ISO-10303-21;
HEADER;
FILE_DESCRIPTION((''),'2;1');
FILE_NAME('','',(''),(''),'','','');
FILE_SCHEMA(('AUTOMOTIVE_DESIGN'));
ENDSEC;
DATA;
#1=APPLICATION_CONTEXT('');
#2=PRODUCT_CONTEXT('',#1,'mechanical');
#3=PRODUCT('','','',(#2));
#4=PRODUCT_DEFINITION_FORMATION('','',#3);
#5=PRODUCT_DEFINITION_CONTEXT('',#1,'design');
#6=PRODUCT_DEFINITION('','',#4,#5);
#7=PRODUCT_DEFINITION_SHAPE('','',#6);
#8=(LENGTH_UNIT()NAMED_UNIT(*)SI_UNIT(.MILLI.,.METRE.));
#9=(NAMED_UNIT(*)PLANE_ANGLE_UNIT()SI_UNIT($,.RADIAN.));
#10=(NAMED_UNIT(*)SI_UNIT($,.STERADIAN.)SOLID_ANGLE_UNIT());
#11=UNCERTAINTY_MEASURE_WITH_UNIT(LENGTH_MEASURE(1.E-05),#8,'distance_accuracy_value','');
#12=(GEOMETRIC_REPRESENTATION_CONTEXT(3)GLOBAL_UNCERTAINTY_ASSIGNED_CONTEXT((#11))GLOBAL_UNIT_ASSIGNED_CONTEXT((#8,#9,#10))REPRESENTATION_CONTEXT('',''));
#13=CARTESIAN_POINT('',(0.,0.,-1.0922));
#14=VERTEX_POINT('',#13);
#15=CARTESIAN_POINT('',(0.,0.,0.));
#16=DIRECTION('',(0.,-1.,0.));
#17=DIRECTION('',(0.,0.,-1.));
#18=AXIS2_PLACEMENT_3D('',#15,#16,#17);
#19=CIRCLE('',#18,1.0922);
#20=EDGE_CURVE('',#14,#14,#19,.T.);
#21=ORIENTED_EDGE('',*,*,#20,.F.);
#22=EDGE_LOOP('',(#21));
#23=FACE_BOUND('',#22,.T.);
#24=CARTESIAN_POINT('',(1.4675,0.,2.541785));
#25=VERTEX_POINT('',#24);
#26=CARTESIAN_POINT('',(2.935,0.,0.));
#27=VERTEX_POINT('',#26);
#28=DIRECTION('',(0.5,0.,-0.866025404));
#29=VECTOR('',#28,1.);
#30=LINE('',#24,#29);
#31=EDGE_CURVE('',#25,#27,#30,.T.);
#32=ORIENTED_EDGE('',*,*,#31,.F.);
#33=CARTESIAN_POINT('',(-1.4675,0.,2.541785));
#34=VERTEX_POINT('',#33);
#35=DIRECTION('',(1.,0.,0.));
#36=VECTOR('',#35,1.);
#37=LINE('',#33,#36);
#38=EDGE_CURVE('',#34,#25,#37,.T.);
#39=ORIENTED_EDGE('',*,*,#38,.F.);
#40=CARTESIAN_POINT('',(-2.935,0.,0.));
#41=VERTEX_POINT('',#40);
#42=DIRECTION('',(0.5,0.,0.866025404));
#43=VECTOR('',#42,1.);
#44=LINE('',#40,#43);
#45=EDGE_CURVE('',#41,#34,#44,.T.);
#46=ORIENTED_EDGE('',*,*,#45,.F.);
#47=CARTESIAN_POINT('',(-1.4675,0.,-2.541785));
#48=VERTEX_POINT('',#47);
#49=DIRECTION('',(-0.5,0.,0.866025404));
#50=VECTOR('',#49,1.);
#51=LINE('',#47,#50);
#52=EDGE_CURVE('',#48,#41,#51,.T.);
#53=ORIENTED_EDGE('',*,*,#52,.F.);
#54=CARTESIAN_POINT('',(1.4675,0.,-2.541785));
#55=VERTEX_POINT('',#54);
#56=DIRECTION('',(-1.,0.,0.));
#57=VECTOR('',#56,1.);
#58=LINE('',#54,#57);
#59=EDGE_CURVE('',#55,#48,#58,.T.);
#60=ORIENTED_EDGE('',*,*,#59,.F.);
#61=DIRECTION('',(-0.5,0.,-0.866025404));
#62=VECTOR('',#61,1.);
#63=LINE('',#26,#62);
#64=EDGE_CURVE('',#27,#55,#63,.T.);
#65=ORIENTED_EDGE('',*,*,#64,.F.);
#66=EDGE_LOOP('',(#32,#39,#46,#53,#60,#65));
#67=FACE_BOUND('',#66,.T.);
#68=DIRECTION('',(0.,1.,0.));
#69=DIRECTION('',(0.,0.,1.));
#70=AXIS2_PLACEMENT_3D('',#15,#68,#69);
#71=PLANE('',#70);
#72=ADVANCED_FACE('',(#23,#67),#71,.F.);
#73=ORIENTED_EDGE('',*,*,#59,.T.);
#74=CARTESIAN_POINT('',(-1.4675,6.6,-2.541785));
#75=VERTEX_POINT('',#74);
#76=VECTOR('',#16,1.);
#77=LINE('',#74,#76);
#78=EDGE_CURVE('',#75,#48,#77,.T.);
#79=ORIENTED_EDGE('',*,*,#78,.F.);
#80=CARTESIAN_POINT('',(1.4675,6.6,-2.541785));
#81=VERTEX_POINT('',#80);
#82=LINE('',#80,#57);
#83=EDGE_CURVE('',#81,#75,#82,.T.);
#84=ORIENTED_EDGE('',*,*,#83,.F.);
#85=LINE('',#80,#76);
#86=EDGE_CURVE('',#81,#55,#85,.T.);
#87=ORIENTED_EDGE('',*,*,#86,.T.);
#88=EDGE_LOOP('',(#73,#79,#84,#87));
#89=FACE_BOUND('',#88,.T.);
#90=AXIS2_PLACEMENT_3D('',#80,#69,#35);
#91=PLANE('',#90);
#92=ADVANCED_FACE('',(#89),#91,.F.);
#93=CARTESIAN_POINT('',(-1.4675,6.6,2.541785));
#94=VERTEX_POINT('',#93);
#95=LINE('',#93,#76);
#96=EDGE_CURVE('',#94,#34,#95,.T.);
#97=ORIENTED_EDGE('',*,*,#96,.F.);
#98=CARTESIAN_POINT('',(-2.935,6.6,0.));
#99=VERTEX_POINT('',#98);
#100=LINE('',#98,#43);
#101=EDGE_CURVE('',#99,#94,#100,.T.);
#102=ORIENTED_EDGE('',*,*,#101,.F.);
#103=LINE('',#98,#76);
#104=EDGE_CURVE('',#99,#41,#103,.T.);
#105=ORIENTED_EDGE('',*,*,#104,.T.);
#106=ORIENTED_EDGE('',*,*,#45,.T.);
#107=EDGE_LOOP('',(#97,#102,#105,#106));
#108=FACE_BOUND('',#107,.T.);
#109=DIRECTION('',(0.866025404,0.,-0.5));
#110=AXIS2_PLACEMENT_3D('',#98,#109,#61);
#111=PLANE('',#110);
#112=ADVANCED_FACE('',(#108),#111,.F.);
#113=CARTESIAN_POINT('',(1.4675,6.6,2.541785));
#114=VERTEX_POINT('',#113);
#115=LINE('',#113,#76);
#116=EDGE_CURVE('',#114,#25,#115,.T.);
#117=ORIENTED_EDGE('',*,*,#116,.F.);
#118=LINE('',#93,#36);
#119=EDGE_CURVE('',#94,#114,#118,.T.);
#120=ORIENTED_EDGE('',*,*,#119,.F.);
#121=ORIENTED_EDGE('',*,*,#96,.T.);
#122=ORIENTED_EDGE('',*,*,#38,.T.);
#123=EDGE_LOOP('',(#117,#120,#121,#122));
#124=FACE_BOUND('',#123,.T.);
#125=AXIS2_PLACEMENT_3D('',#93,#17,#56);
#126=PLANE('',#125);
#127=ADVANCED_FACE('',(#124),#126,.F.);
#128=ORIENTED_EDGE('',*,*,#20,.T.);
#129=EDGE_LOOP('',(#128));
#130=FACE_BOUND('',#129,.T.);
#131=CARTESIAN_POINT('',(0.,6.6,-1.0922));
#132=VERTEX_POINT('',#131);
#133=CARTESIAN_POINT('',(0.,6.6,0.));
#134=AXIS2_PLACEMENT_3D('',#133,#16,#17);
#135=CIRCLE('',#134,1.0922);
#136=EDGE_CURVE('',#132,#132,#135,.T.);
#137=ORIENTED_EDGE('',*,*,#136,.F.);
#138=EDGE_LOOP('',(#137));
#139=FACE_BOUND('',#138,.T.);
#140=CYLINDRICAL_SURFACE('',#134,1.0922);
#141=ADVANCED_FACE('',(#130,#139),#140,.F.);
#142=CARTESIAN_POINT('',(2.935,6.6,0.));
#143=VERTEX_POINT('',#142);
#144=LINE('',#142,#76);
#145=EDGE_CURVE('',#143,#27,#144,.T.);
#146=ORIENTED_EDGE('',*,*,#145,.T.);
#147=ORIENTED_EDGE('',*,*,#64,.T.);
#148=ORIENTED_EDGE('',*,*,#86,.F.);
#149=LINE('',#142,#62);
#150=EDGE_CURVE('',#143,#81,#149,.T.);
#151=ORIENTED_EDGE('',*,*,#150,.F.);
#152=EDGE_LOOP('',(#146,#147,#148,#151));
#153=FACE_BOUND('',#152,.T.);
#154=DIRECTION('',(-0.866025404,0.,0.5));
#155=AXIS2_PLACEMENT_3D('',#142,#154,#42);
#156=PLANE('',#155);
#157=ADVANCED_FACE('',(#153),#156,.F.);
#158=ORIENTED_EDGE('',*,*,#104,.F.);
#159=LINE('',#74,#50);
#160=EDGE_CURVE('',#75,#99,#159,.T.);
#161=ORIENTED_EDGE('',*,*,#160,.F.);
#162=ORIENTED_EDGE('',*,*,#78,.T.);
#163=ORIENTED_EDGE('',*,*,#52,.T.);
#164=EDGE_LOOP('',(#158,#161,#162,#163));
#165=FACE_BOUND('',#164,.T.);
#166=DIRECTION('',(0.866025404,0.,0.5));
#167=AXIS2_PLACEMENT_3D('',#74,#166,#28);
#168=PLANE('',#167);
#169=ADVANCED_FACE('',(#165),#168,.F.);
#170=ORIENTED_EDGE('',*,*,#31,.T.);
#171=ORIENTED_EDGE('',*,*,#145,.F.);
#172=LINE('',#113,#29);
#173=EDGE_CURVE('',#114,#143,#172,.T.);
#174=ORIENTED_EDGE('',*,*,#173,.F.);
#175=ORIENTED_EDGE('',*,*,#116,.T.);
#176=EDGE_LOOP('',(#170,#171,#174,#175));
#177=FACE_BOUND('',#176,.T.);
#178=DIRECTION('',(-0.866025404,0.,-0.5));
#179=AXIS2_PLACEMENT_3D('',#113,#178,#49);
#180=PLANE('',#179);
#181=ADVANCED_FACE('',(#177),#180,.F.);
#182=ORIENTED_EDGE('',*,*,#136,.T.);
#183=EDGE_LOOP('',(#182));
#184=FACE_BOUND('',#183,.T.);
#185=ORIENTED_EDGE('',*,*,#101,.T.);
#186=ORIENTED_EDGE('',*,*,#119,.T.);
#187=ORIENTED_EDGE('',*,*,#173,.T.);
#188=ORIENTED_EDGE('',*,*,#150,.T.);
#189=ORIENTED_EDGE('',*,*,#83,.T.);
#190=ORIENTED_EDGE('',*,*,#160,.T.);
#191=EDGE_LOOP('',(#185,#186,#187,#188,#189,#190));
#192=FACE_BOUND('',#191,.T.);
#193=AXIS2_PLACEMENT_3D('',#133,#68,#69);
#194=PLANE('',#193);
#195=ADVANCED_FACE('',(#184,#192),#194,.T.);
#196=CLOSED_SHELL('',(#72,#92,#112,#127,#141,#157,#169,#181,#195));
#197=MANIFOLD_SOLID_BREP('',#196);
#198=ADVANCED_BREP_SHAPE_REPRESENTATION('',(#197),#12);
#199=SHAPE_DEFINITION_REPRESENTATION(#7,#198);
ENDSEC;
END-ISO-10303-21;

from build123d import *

# Parameters (mm, degrees)
BOSS_EXTRUDE1_DEPTH = 6.6
SKETCH2_R           = 1.0922
CUT_EXTRUDE1_DEPTH  = 6.6


with BuildPart() as part:
    # Sketch1 → Boss-Extrude1 (new body)
    with BuildSketch(Plane(origin=(0, 0, 0), x_dir=(1, 0, 0), z_dir=(0, 1, 0))):
        Polygon((-1.4675, 2.54178456), (-2.935, 0), (-1.4675, -2.54178456), (1.4675, -2.54178456), (2.935, 0), (1.4675, 2.54178456), align=None)
    extrude(amount=BOSS_EXTRUDE1_DEPTH)

    # Sketch2 → Cut-Extrude1 (cut)
    with BuildSketch(Plane(origin=(0, 0, 0), x_dir=(-1, 0, 0), z_dir=(0, -1, 0))):
        Circle(SKETCH2_R)
    extrude(amount=-CUT_EXTRUDE1_DEPTH, mode=Mode.SUBTRACT)


solid = part.part
